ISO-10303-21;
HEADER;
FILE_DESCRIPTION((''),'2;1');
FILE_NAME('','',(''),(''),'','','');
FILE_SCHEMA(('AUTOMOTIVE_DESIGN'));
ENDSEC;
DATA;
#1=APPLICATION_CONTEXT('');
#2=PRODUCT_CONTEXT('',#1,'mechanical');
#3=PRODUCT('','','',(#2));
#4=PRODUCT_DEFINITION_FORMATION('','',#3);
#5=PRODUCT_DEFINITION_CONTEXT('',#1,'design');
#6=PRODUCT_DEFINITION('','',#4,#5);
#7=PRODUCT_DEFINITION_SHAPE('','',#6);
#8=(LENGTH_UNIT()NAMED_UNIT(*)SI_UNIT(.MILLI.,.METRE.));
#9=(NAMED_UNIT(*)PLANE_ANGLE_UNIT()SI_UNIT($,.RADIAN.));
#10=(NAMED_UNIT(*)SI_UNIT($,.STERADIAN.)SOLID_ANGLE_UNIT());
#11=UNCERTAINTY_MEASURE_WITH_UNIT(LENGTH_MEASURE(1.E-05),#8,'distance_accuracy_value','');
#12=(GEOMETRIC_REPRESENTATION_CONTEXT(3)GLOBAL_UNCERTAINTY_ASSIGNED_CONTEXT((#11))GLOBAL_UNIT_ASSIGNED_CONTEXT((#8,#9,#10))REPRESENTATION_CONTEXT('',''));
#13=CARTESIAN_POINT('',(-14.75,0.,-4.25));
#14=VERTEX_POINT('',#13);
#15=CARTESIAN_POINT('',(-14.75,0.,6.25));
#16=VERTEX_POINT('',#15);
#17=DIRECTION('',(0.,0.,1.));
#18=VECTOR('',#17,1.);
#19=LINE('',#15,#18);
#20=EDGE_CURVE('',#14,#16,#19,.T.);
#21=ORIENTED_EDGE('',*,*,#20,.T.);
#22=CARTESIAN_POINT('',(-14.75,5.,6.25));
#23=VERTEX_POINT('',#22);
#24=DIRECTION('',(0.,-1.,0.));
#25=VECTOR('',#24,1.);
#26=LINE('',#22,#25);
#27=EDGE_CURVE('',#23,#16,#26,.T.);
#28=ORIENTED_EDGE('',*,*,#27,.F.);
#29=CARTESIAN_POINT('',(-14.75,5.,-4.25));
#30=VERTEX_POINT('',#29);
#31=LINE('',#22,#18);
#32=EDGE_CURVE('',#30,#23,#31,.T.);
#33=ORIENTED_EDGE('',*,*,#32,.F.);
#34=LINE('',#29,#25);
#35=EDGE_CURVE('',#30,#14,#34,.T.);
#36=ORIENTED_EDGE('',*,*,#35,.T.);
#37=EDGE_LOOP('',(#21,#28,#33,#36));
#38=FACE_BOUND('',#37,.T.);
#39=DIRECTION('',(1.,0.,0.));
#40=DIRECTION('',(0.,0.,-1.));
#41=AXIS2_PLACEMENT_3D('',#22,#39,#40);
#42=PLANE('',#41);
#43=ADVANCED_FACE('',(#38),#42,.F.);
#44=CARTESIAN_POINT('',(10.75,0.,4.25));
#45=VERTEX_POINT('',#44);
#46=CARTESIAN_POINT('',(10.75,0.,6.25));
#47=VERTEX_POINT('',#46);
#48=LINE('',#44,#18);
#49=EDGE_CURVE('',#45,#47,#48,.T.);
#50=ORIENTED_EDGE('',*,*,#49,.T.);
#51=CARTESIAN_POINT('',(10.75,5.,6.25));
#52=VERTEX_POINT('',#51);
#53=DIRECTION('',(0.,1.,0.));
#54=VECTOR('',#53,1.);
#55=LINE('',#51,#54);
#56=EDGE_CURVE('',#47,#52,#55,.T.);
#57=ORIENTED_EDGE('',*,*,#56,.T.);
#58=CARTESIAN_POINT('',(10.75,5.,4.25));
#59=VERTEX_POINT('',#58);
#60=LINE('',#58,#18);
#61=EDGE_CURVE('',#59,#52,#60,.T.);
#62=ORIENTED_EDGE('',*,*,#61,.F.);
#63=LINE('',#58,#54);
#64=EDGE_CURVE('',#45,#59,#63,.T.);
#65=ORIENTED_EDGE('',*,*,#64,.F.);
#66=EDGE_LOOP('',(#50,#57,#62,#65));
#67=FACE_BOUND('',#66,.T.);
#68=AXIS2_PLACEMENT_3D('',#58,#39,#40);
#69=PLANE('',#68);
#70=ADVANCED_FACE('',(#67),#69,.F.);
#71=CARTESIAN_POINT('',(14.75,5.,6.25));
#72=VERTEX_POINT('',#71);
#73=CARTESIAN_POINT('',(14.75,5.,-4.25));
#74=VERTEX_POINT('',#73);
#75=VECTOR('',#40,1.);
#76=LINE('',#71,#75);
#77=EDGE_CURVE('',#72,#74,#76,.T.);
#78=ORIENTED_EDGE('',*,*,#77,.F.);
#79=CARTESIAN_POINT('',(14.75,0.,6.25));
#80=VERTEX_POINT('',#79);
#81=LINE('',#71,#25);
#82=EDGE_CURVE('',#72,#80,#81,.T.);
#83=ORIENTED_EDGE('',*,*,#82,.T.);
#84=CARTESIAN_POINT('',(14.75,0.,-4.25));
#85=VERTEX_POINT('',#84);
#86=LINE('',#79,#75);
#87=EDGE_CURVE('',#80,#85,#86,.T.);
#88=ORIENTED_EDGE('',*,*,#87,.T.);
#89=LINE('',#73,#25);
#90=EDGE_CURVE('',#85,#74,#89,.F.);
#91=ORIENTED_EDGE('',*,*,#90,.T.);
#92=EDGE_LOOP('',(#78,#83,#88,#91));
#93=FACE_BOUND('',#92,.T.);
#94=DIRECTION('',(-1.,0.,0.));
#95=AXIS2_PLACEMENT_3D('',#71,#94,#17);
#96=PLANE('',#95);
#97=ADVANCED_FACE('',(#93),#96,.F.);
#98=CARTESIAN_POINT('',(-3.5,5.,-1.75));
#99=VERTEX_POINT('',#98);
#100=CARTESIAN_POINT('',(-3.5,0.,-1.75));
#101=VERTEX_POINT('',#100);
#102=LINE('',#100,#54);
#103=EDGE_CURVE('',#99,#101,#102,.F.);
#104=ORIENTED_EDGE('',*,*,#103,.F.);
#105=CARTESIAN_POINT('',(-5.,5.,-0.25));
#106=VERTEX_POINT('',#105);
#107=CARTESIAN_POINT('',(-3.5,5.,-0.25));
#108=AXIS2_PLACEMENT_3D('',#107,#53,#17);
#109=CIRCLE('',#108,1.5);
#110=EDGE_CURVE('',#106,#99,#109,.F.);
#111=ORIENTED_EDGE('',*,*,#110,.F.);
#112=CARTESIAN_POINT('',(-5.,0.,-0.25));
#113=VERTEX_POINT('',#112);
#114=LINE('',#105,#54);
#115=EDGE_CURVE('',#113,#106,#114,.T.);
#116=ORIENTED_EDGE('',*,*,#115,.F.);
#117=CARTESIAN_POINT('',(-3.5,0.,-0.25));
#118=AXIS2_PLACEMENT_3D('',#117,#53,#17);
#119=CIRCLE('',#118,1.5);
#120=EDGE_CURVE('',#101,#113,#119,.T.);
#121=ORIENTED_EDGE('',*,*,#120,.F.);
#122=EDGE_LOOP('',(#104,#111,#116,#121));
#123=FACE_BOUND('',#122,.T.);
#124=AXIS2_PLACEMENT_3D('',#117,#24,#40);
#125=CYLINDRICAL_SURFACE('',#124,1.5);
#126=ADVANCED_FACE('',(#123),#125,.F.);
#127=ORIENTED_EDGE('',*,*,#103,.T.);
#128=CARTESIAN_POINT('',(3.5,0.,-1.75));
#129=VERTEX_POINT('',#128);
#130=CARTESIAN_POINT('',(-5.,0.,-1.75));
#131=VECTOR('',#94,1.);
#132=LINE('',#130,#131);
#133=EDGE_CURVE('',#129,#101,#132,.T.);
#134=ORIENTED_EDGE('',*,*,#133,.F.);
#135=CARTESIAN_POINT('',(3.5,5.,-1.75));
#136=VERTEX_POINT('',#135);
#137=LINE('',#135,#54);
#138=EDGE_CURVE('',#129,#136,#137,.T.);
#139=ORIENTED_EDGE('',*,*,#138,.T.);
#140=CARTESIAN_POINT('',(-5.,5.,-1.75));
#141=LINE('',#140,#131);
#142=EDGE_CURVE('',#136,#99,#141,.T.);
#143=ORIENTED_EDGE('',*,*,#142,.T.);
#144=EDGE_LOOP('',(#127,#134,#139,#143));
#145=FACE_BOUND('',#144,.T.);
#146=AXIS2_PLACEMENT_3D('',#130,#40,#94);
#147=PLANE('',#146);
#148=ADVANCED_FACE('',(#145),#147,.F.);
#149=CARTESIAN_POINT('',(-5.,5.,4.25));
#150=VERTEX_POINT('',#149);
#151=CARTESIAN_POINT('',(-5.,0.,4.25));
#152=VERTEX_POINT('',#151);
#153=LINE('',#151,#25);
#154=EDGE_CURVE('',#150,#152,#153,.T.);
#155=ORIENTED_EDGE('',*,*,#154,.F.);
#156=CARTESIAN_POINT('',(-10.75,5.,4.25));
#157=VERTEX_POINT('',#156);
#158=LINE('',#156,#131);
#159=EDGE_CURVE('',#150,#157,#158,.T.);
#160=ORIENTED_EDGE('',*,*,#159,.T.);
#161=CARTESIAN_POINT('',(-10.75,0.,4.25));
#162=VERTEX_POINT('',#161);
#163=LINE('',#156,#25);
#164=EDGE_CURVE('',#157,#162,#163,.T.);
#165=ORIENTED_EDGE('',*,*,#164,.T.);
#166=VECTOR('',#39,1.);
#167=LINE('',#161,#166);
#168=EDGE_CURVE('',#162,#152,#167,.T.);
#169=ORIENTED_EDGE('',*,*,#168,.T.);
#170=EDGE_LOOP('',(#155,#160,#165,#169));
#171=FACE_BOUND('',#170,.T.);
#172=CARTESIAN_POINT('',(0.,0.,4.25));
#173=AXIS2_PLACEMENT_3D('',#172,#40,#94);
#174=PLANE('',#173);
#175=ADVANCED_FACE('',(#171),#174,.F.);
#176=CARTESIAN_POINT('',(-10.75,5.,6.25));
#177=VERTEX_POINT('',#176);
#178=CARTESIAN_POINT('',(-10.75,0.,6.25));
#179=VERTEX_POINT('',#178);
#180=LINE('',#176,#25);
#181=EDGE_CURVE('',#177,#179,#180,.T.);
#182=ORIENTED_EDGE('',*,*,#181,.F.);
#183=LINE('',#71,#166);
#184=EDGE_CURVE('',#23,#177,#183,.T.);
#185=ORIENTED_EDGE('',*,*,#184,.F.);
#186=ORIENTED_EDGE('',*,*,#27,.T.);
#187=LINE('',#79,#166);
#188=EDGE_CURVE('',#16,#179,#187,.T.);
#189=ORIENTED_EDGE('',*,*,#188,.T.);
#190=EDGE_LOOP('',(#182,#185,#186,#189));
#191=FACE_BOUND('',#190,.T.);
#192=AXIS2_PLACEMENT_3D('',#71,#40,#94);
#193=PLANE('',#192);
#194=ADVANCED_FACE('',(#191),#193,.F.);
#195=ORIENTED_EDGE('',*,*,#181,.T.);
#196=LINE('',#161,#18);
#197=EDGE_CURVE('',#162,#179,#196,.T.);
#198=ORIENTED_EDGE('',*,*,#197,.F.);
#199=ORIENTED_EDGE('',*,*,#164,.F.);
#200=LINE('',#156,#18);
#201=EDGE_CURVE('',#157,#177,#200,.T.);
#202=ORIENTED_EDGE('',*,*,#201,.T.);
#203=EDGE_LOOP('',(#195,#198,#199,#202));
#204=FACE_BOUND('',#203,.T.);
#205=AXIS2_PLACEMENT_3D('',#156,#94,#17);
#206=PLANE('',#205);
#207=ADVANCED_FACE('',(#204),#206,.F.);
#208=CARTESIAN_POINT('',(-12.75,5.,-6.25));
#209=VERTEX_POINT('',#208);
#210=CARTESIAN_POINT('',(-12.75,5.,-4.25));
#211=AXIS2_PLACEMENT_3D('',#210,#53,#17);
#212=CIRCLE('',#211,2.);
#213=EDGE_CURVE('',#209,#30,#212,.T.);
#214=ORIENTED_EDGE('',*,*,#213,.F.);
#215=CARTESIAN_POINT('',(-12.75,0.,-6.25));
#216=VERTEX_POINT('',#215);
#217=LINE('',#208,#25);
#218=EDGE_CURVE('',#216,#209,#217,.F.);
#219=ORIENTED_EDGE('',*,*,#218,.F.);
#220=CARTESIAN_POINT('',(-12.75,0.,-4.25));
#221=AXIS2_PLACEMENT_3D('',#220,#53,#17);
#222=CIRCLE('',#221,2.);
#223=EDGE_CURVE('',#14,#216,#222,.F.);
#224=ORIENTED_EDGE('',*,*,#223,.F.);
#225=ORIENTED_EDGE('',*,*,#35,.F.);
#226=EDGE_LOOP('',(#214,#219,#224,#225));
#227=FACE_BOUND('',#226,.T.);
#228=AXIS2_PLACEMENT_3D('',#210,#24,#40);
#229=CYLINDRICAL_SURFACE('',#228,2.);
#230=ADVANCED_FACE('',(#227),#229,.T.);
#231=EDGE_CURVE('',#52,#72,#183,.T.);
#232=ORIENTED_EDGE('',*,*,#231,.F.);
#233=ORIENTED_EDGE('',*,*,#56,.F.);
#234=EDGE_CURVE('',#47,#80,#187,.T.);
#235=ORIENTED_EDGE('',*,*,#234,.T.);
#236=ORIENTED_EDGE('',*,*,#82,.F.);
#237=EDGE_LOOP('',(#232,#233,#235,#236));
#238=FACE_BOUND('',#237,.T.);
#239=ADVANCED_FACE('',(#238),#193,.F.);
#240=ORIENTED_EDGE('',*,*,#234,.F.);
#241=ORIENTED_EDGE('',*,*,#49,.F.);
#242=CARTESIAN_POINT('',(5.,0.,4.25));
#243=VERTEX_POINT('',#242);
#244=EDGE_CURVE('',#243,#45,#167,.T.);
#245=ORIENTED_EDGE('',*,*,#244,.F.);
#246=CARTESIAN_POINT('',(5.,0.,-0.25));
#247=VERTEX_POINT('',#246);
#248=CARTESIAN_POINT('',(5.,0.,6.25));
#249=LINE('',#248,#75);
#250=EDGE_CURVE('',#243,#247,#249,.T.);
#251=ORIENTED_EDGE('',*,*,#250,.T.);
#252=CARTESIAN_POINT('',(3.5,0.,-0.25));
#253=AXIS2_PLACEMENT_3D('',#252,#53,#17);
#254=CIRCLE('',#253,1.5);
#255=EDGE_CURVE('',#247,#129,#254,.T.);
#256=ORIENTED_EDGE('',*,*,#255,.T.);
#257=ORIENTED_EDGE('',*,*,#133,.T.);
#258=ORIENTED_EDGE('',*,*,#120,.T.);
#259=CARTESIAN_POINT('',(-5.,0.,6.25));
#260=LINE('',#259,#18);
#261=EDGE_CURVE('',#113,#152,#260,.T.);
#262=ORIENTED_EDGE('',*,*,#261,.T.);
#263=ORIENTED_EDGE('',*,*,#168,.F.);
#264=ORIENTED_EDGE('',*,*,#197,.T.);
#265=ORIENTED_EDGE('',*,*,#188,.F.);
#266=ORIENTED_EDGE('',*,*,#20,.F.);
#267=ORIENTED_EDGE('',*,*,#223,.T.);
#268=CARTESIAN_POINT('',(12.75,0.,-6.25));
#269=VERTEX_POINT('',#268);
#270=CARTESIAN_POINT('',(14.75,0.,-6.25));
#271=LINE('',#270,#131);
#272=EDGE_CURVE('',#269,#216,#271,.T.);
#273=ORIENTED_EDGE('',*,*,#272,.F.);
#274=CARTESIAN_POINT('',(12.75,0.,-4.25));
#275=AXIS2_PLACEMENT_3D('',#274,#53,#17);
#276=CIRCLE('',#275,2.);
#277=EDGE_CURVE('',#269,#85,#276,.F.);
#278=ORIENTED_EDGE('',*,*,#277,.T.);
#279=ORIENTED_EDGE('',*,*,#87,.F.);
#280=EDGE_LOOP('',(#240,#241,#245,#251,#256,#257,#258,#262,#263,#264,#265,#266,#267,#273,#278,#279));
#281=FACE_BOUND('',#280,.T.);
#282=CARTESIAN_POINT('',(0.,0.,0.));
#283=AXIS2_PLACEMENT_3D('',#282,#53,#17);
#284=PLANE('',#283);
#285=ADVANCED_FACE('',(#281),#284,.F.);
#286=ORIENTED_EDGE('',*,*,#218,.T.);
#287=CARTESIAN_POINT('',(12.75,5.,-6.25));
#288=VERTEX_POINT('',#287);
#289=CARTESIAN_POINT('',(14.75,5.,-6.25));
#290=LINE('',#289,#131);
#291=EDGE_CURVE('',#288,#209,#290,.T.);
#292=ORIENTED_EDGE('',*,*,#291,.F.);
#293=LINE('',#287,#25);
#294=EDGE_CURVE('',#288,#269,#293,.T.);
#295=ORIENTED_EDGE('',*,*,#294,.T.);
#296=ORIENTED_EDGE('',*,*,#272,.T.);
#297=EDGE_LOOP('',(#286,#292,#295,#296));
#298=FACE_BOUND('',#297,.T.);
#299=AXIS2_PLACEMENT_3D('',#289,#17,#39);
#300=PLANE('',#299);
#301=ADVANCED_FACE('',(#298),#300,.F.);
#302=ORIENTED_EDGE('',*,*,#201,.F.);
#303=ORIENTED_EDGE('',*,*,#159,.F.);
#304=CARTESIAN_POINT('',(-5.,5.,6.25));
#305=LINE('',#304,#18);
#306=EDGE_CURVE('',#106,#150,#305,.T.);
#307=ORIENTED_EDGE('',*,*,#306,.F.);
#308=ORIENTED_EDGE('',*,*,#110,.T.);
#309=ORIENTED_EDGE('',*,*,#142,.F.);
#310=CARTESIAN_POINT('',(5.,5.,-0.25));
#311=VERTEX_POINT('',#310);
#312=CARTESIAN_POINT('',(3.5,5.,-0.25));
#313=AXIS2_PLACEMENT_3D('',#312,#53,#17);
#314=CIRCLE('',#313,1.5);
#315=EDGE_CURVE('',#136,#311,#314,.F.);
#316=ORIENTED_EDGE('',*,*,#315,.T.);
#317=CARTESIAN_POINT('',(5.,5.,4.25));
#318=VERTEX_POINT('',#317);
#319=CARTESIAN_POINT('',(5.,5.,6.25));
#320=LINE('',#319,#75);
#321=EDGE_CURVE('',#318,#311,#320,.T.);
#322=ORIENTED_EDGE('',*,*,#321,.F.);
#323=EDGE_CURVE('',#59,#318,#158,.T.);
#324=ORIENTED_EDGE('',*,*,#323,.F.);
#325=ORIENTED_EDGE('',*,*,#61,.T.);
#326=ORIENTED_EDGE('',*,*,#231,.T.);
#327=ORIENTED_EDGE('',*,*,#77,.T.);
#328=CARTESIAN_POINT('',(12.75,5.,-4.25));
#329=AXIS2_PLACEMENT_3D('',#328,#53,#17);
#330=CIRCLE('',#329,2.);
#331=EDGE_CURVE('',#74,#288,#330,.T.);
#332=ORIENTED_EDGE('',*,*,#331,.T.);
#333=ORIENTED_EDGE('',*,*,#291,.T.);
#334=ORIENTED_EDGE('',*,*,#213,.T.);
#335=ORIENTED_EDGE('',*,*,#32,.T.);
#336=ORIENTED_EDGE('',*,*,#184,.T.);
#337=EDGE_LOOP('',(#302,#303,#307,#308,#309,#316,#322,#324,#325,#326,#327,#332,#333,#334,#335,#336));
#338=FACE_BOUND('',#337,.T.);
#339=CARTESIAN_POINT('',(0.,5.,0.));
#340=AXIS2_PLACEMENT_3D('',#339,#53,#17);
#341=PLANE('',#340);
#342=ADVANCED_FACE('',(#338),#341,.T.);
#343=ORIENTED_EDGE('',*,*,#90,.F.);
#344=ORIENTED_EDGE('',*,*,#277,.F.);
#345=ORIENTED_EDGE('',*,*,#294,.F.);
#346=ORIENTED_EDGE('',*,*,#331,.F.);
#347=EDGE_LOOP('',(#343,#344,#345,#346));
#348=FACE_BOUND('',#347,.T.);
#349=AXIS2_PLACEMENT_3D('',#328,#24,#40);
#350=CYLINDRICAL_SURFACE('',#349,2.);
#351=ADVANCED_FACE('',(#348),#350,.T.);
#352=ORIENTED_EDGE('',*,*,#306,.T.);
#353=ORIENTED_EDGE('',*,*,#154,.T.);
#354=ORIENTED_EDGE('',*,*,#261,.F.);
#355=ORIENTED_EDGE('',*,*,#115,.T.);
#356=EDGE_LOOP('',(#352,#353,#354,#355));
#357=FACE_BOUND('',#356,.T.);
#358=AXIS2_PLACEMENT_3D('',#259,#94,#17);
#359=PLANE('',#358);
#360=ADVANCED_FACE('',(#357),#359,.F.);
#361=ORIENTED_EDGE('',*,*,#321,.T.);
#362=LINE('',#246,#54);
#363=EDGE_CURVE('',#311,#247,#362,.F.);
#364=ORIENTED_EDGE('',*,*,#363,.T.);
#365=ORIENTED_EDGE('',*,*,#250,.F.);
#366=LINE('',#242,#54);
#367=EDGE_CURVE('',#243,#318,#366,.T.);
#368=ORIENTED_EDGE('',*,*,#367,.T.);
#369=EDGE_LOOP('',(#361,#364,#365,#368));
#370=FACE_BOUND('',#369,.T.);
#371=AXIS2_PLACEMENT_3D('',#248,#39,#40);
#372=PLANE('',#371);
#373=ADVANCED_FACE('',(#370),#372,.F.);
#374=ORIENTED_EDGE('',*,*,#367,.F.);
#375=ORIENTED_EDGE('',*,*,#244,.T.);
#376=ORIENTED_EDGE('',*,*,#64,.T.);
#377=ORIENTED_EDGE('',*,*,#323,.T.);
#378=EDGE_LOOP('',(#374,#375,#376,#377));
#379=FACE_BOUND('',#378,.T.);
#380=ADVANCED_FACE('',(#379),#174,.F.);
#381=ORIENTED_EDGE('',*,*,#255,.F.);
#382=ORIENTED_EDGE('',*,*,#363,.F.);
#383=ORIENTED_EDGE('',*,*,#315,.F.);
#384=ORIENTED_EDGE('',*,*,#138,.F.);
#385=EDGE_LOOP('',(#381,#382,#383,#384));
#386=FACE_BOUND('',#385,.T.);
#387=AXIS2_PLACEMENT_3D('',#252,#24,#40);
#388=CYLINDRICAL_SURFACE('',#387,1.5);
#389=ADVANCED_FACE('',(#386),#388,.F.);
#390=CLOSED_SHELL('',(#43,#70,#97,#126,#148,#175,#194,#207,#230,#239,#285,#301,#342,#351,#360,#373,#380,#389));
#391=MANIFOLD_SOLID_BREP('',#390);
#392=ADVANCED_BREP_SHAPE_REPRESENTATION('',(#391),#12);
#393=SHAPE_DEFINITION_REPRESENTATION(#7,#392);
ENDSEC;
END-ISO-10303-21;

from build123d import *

# Parameters (mm, degrees)
SKETCH1_W           = 29.5
SKETCH1_H           = 12.5
BOSS_EXTRUDE1_DEPTH = 5
SKETCH2_W           = 10
SKETCH2_H           = 8
CUT_EXTRUDE1_DEPTH  = 6
FILLET1_R           = 2
FILLET2_R           = 1.5
SKETCH3_W           = 21.5
SKETCH3_H           = 5
CUT_EXTRUDE2_DEPTH  = 2


with BuildPart() as part:
    # Sketch1 → Boss-Extrude1 (new body)
    with BuildSketch(Plane(origin=(0, 0, 0), x_dir=(1, 0, 0), z_dir=(0, 1, 0))):
        Rectangle(SKETCH1_W, SKETCH1_H)
    extrude(amount=BOSS_EXTRUDE1_DEPTH)

    # Sketch2 → Cut-Extrude1 (cut, through all)
    with BuildSketch(Plane(origin=(0, 5, 0), x_dir=(1, 0, 0), z_dir=(0, 1, 0))):
        with Locations((0, -2.25)):
            Rectangle(SKETCH2_W, SKETCH2_H)
    extrude(amount=-CUT_EXTRUDE1_DEPTH, mode=Mode.SUBTRACT)

    # Fillet1
    fillet1_edges = [part.edges().sort_by_distance(p)[0] for p in [
        (-14.75, 2.5, -6.25),
        (14.75, 2.5, -6.25),
    ]]
    fillet(fillet1_edges, radius=FILLET1_R)

    # Fillet2
    fillet2_edges = [part.edges().sort_by_distance(p)[0] for p in [
        (-5, 2.5, -1.75),
        (5, 2.5, -1.75),
    ]]
    fillet(fillet2_edges, radius=FILLET2_R)

    # Sketch3 → Cut-Extrude2 (cut)
    with BuildSketch(Plane.XY.offset(6.25)):
        with Locations((0, 2.5)):
            Rectangle(SKETCH3_W, SKETCH3_H)
    extrude(amount=-CUT_EXTRUDE2_DEPTH, mode=Mode.SUBTRACT)


solid = part.part
